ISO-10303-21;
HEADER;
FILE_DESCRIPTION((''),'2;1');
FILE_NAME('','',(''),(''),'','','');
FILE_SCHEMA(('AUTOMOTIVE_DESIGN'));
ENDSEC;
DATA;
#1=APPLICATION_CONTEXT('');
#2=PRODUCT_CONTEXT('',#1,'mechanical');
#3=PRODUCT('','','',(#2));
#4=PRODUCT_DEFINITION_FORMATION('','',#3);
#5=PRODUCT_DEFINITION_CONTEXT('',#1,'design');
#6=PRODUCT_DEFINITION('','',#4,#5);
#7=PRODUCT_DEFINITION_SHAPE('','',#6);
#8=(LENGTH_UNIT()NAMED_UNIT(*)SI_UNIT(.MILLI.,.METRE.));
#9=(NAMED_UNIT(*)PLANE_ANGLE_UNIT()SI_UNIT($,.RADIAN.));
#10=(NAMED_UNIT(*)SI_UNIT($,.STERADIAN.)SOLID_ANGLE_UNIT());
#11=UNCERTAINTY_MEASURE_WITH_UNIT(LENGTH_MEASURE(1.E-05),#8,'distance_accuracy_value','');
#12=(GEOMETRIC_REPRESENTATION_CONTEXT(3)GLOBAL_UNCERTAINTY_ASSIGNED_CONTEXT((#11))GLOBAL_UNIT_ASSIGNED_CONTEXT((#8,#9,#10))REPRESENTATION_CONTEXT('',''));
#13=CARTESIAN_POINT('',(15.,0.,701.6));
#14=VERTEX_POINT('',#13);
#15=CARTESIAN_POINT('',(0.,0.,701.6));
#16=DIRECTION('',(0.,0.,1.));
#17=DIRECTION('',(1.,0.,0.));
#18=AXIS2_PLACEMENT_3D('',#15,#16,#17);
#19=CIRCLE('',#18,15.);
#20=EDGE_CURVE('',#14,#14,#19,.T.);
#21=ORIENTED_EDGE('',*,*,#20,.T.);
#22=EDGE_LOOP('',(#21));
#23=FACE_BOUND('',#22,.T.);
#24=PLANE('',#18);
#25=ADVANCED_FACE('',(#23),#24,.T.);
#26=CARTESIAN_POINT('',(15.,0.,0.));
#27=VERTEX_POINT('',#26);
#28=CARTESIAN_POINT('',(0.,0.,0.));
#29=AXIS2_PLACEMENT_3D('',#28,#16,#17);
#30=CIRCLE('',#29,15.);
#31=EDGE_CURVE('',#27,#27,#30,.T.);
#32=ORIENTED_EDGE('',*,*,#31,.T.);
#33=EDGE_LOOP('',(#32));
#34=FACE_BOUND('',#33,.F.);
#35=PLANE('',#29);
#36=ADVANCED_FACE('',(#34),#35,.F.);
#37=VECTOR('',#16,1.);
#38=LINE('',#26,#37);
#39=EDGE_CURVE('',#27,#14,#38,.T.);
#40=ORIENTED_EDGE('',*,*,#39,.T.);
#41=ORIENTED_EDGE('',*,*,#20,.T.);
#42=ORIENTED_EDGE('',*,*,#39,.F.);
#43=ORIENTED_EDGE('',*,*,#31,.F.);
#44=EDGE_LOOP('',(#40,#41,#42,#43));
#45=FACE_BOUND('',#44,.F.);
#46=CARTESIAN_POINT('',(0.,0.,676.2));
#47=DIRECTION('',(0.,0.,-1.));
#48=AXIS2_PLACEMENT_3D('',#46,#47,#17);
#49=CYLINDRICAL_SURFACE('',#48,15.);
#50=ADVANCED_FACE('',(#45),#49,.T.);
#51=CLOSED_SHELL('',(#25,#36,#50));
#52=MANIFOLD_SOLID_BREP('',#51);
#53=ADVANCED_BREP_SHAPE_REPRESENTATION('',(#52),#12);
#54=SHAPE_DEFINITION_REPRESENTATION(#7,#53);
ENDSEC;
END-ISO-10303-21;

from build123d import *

# Parameters (mm, degrees)
F0_R     = 15
F1_DEPTH = 25.4
F2_DEPTH = 600
F3_DEPTH = 25.4
F4_DEPTH = 25.4
F5_DEPTH = 25.4


with BuildPart() as f1:
    # F0 (on Top) → F1 (new body)
    with BuildSketch(Plane.XY):
        Circle(F0_R)
    extrude(amount=F1_DEPTH)

    # F2 (add): a face of the model
    f2_faces = [f1.faces().sort_by_distance(p)[0] for p in [
        (0, 0, 25.4),
    ]]
    extrude(f2_faces, amount=F2_DEPTH)

    # F3 (add): a face of the model
    f3_faces = [f1.faces().sort_by_distance(p)[0] for p in [
        (0, 0, 625.4),
    ]]
    extrude(f3_faces, amount=F3_DEPTH)

    # F4 (add): faces of the model
    f4_faces = [f1.faces().sort_by_distance(p)[0] for p in [
        (0, 0, 650.8),
        (0, 0, 0),
    ]]
    extrude(f4_faces, amount=F4_DEPTH, dir=(0, 0, 1))

    # F5 (add): a face of the model
    f5_faces = [f1.faces().sort_by_distance(p)[0] for p in [
        (0, 0, 676.2),
    ]]
    extrude(f5_faces, amount=F5_DEPTH)


solid = f1.part
